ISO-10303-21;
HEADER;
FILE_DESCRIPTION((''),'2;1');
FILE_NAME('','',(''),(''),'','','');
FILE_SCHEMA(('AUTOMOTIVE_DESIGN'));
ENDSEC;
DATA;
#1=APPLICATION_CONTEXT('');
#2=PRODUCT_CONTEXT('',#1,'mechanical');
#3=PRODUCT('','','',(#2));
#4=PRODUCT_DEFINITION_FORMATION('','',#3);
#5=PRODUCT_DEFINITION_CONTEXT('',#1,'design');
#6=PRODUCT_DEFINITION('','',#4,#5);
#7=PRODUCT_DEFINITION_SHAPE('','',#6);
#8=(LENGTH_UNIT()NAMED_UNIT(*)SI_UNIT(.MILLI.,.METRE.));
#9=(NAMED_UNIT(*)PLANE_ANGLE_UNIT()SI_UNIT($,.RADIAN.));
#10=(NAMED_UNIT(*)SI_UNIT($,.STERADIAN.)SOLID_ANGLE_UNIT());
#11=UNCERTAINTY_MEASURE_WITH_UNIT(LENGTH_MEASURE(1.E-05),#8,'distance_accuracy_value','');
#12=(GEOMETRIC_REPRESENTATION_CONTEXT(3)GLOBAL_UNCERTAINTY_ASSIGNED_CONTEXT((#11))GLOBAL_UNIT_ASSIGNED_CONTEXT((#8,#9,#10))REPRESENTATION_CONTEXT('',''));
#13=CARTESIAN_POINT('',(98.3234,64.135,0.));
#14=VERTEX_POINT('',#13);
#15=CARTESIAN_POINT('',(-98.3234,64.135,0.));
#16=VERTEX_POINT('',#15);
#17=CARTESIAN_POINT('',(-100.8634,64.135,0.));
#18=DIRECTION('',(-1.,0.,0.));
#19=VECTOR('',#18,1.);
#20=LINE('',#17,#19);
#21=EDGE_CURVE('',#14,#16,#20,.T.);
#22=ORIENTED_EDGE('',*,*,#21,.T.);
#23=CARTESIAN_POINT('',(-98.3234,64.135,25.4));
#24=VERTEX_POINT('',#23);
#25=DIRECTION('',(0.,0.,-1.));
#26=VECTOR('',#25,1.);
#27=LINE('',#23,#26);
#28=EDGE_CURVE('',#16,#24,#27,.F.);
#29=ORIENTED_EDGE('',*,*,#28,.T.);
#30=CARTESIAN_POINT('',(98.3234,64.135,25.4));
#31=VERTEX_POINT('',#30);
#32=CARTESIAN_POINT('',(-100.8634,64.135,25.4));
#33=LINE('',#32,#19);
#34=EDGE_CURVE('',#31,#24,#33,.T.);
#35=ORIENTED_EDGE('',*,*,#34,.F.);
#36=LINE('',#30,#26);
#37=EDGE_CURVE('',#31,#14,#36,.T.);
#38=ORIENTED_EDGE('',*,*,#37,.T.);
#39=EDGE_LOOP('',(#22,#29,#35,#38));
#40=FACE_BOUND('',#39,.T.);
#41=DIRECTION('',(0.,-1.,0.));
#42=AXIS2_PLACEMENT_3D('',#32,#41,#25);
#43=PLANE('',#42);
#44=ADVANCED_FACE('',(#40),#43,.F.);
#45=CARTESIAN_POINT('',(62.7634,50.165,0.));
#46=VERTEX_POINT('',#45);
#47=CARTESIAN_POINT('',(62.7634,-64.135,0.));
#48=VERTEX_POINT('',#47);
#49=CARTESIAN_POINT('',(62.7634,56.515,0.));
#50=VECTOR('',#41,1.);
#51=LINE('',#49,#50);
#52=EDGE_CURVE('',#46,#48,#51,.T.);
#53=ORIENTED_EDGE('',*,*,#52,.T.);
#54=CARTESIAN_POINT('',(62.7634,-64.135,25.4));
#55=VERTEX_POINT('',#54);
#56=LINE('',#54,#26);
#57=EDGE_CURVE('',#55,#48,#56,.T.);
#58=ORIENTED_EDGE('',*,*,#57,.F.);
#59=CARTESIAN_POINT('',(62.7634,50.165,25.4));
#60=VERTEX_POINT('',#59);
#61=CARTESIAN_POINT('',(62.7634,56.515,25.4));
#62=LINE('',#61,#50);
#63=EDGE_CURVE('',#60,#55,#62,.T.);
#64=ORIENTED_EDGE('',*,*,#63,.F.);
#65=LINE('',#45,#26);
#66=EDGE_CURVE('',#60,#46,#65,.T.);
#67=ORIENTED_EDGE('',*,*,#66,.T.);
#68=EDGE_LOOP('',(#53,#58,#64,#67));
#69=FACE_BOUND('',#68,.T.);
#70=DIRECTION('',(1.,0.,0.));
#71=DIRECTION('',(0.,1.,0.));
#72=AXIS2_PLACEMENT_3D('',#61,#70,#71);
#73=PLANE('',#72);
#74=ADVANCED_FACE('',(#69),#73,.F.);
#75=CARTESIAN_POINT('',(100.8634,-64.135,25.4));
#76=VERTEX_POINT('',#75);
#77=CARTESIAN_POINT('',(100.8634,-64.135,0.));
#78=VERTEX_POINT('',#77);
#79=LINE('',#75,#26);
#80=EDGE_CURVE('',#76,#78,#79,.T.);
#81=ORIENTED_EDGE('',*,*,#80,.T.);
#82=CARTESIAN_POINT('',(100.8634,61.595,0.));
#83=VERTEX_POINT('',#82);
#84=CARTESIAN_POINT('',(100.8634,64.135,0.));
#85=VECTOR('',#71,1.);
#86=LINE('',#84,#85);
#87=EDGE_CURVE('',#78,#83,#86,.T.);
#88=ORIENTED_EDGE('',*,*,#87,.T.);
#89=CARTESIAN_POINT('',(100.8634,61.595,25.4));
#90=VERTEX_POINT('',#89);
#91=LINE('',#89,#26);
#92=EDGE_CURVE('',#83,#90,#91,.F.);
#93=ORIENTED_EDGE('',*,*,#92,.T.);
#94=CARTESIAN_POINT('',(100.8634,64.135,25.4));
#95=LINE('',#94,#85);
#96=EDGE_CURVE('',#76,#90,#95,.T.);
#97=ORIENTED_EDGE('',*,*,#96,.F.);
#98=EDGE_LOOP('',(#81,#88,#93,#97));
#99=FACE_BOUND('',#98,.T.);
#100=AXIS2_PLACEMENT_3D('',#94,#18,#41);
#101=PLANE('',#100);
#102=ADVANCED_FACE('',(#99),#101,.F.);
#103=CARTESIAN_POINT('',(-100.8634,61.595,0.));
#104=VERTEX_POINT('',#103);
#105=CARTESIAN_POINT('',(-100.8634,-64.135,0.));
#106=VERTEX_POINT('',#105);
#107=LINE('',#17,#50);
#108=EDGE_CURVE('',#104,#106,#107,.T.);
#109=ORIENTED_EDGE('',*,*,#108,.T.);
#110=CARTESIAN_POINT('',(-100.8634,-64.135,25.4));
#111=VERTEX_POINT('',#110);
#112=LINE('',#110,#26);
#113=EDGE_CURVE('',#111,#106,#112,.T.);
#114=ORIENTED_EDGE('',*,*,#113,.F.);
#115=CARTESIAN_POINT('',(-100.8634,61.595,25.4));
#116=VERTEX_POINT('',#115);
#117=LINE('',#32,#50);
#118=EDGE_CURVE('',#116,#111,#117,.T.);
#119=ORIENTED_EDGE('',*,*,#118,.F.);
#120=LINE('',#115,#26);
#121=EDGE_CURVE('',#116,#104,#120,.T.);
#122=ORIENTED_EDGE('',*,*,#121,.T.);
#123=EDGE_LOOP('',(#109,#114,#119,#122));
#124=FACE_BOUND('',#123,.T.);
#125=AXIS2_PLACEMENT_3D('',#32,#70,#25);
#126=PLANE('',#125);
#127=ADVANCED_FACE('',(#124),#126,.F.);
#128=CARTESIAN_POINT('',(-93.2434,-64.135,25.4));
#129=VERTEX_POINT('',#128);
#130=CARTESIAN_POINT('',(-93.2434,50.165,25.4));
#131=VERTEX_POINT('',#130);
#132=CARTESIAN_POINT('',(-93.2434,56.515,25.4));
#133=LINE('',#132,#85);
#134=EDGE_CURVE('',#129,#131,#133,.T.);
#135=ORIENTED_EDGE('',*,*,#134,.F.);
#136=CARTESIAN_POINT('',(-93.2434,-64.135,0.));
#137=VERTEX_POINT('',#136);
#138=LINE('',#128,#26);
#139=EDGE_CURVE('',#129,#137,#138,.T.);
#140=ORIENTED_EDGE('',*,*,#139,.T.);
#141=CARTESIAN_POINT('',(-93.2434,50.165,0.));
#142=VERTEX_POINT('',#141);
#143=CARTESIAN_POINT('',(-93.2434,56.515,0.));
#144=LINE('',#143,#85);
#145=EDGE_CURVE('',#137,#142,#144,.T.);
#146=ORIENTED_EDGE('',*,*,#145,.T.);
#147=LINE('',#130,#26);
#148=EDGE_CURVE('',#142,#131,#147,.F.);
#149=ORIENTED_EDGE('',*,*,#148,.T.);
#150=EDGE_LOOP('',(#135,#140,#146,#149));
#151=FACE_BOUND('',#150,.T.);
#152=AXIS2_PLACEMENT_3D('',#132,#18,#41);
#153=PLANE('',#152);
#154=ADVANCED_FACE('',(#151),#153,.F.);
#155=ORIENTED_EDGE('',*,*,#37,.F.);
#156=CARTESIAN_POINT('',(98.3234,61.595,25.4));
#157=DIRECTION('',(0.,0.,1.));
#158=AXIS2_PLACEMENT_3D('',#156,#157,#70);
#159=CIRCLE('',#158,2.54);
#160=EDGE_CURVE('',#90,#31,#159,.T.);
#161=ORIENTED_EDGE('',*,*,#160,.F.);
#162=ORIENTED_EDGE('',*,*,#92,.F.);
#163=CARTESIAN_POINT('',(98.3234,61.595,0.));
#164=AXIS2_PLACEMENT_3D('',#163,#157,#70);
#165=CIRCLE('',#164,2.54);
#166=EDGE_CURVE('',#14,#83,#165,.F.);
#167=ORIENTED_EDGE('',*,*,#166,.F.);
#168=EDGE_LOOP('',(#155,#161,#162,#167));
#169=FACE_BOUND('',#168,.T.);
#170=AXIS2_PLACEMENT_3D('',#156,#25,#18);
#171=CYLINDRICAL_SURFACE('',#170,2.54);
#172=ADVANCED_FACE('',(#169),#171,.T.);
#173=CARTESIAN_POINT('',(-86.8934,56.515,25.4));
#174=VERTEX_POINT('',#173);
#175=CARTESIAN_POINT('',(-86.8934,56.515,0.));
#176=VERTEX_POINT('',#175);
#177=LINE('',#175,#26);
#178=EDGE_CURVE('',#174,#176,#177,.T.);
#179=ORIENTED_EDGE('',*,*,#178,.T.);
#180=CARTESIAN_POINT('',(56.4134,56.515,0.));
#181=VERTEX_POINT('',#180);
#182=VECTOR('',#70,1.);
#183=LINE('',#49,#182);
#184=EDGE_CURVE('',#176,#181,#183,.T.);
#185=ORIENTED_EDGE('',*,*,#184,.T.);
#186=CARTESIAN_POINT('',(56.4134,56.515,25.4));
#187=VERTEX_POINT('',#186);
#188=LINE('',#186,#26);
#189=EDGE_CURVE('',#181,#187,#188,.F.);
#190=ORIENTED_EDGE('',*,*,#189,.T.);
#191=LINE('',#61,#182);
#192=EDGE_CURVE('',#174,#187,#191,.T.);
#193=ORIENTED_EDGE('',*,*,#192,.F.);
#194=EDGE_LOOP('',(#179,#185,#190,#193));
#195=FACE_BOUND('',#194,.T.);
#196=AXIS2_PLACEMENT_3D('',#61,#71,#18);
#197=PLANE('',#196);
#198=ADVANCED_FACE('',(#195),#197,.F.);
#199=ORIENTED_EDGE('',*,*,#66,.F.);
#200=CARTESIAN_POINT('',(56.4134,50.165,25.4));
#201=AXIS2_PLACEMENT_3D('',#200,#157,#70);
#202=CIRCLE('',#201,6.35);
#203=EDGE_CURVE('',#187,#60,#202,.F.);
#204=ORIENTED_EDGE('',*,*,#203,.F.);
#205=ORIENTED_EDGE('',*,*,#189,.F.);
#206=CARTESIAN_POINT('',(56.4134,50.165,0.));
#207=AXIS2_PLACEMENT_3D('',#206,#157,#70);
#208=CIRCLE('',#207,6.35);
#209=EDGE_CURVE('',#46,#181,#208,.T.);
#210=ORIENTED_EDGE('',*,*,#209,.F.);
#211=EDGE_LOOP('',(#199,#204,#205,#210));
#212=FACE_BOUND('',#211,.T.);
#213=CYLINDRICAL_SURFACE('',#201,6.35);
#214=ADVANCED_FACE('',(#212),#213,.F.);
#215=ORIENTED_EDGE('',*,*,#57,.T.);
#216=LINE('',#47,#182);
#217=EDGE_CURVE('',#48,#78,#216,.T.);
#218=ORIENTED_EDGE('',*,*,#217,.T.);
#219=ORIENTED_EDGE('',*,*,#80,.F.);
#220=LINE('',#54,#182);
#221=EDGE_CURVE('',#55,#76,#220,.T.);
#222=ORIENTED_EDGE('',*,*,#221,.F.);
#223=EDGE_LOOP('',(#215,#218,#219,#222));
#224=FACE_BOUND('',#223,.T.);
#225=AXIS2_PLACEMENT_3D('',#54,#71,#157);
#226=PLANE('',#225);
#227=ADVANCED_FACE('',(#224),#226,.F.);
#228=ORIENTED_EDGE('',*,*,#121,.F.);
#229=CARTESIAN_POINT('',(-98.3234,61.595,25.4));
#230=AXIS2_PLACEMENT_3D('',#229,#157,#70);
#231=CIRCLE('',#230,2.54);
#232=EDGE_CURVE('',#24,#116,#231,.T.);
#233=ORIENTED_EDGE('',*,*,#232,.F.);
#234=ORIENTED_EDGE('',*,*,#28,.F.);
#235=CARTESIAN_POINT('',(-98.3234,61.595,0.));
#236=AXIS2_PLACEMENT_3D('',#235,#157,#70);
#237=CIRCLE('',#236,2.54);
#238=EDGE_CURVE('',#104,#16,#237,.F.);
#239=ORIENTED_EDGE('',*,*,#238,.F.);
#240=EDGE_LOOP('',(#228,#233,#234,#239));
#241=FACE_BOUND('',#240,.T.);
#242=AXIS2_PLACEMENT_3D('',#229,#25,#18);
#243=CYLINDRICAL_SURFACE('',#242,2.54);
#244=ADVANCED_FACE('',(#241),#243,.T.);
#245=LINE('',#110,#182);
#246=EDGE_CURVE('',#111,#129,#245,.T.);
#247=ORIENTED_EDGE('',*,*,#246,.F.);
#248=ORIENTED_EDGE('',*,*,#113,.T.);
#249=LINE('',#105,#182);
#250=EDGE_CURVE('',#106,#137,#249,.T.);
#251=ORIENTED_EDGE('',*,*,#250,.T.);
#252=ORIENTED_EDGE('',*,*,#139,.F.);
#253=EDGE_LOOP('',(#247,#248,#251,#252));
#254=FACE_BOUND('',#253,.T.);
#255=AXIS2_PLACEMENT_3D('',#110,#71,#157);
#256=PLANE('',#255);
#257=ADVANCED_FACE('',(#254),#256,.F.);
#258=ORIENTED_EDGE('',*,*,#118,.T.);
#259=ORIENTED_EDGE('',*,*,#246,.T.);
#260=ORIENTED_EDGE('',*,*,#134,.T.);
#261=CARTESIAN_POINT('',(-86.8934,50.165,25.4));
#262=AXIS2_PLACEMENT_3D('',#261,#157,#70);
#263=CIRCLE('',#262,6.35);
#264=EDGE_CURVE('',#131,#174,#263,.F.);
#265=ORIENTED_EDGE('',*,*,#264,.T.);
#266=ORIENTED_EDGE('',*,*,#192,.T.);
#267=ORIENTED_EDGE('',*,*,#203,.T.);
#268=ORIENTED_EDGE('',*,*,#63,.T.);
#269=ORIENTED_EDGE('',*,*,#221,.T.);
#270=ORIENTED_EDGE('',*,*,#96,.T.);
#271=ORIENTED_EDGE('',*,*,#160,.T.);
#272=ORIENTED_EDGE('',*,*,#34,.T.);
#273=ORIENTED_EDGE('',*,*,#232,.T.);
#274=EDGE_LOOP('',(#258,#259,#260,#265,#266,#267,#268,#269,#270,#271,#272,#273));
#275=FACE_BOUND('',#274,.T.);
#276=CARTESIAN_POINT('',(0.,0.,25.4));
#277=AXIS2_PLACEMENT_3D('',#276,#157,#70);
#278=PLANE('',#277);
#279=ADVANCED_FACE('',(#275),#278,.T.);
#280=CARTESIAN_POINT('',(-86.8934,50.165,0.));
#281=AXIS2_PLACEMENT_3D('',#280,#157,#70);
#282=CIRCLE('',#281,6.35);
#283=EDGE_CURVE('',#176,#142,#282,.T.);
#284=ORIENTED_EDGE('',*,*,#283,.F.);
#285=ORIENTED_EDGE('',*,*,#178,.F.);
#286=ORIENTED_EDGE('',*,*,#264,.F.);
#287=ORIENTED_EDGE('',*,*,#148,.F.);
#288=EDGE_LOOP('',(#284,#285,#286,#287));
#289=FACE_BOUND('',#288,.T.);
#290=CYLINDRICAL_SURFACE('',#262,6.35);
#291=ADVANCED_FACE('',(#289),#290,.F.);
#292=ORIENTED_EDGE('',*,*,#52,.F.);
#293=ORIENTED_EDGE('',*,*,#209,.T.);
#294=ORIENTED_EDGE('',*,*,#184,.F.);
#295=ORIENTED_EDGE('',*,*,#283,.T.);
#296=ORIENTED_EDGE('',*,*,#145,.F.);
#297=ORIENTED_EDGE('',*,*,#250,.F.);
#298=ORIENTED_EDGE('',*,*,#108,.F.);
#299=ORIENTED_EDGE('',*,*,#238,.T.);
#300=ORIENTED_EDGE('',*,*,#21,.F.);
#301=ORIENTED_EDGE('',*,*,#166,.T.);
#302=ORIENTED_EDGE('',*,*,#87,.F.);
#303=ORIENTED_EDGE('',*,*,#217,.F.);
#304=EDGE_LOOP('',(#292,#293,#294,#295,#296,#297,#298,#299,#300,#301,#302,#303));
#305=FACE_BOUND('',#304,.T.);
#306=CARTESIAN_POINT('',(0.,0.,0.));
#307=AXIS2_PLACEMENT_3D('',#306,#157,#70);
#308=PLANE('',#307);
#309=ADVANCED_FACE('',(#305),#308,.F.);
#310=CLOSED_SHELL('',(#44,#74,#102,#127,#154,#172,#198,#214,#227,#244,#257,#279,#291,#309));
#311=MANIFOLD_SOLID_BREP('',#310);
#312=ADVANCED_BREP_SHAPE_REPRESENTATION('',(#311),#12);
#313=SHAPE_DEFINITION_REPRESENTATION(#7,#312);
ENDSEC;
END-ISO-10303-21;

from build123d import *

# Parameters (mm, degrees)
BOSS_EXTRUDE1_DEPTH = 25.4
FILLET1_R           = 6.35
FILLET2_R           = 2.54


with BuildPart() as part:
    # Sketch1 → Boss-Extrude1 (new body)
    with BuildSketch(Plane.XY):
        Polygon((62.7634, -64.135), (100.8634, -64.135), (100.8634, 64.135), (-100.8634, 64.135), (-100.8634, -64.135), (-93.2434, -64.135), (-93.2434, 56.515), (62.7634, 56.515), align=None)
    extrude(amount=BOSS_EXTRUDE1_DEPTH)

    # Fillet1
    fillet1_edges = [part.edges().sort_by_distance(p)[0] for p in [
        (62.7634, 56.515, 12.7),
        (-93.2434, 56.515, 12.7),
    ]]
    fillet(fillet1_edges, radius=FILLET1_R)

    # Fillet2
    fillet2_edges = [part.edges().sort_by_distance(p)[0] for p in [
        (-100.8634, 64.135, 12.7),
        (100.8634, 64.135, 12.7),
    ]]
    fillet(fillet2_edges, radius=FILLET2_R)


solid = part.part
